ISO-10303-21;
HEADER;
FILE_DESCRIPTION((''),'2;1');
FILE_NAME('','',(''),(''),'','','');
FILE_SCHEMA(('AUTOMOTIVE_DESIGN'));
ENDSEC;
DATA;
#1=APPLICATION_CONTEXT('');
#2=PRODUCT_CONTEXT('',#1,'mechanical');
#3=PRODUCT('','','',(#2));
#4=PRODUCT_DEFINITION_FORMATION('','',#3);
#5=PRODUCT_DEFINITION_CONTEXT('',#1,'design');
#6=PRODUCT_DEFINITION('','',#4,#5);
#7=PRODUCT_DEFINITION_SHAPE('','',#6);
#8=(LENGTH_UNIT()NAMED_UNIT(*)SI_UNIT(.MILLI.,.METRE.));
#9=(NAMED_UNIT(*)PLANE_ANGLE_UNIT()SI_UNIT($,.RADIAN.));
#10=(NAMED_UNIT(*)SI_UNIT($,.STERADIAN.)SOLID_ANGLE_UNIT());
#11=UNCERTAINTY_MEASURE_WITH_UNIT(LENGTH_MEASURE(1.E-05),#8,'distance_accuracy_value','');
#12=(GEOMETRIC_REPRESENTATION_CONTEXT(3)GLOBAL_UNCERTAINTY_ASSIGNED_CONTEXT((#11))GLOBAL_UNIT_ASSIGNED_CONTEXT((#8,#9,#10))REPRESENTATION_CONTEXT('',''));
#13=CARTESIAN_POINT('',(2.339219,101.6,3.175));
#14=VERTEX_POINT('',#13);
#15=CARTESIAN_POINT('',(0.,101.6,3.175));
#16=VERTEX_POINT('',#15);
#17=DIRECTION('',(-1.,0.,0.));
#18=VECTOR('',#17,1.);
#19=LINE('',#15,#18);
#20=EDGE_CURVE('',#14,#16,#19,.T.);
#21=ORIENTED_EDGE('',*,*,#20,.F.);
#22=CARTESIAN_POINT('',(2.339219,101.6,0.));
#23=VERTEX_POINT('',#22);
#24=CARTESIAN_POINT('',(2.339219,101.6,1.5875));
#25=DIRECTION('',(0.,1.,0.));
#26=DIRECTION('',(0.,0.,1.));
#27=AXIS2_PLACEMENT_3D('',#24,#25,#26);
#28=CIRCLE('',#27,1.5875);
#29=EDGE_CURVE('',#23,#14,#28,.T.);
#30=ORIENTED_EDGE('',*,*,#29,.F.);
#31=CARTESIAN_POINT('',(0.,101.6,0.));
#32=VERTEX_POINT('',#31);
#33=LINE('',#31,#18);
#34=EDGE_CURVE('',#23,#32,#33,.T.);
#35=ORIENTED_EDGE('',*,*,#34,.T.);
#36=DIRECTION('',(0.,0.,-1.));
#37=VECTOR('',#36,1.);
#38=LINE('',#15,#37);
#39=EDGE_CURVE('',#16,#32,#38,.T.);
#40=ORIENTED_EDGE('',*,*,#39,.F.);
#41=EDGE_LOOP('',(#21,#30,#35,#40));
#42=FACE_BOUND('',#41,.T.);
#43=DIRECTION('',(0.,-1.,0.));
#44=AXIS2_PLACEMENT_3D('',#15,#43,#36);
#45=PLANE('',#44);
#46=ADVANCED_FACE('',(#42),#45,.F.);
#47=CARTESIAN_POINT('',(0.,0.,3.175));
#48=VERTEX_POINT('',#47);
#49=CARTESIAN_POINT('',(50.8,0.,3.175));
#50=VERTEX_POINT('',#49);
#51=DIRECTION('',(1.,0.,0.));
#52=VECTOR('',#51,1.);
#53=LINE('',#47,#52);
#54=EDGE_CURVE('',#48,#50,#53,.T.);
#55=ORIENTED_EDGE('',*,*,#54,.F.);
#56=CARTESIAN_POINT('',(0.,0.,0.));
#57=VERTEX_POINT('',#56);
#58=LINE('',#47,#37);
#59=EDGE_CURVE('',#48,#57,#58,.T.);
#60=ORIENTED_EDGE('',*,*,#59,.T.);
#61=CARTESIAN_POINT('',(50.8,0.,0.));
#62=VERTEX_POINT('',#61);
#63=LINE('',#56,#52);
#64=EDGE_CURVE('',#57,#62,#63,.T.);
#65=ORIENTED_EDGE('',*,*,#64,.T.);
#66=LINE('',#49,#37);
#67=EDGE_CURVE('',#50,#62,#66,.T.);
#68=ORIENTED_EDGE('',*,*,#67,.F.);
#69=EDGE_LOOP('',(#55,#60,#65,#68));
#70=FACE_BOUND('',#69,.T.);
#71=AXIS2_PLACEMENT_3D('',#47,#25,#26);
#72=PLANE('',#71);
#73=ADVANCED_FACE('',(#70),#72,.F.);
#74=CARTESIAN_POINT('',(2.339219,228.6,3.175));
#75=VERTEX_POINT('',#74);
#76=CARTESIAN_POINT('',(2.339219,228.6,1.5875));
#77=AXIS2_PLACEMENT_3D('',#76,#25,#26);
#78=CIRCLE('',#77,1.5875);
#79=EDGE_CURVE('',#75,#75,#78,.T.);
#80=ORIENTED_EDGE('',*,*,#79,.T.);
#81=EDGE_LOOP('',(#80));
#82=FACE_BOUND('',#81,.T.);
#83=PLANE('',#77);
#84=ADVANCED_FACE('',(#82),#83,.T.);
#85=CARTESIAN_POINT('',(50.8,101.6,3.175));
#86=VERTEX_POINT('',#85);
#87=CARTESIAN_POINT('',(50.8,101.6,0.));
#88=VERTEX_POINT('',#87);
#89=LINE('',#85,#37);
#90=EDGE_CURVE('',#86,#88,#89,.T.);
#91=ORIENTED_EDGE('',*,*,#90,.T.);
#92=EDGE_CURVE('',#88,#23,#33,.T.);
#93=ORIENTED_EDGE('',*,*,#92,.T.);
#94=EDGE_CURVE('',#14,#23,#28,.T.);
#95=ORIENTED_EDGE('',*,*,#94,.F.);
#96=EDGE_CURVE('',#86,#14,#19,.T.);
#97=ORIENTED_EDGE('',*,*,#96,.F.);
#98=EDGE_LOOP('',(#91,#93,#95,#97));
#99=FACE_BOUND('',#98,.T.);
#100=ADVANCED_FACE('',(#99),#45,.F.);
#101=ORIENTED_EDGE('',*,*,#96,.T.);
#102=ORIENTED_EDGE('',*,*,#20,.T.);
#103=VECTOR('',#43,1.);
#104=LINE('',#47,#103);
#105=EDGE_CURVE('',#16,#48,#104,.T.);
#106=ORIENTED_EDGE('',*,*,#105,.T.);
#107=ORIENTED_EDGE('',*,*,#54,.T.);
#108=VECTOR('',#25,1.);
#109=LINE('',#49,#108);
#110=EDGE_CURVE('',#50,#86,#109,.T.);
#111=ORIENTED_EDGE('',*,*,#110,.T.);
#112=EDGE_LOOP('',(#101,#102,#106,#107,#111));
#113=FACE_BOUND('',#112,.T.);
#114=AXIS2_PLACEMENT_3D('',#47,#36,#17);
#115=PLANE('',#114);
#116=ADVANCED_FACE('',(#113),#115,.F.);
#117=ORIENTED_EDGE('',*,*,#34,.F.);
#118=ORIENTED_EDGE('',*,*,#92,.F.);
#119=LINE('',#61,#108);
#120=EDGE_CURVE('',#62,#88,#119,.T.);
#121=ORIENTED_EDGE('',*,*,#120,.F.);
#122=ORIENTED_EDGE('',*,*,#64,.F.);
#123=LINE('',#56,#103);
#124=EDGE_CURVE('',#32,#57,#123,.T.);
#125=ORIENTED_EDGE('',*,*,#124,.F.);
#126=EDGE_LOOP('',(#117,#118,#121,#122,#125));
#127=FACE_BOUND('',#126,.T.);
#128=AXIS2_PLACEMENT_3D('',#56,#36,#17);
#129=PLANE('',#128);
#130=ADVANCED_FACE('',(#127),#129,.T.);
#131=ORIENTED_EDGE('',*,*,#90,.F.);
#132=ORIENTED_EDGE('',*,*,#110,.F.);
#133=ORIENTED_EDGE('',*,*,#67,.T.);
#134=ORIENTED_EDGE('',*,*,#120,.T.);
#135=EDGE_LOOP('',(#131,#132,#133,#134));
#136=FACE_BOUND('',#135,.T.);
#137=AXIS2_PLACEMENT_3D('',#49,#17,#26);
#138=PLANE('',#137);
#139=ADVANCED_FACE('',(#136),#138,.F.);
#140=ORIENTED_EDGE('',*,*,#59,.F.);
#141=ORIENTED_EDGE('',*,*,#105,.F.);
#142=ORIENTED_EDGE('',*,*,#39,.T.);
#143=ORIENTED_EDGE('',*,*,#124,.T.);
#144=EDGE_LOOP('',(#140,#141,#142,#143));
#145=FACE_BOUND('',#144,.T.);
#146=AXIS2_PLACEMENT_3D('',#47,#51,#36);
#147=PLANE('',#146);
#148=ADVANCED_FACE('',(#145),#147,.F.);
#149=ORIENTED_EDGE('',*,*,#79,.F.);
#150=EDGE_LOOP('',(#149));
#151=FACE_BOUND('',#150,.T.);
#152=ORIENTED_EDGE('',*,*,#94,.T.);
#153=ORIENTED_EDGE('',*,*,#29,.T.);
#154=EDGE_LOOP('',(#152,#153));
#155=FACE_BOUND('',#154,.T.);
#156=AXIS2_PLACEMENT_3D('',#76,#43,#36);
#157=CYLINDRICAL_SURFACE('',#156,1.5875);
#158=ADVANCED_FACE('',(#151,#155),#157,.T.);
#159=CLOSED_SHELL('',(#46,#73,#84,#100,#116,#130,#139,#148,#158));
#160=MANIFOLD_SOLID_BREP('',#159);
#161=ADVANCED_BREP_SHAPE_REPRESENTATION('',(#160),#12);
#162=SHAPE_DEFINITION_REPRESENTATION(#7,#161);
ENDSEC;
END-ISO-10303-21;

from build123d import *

# Parameters (mm, degrees)
SKETCH1_W           = 50.8
SKETCH1_H           = 101.6
BOSS_EXTRUDE1_DEPTH = 3.175
SKETCH2_R           = 1.5875
BOSS_EXTRUDE2_DEPTH = 127


with BuildPart() as part:
    # Sketch1 → Boss-Extrude1 (new body)
    with BuildSketch(Plane.XY):
        with Locations((25.4, 50.8)):
            Rectangle(SKETCH1_W, SKETCH1_H)
    extrude(amount=BOSS_EXTRUDE1_DEPTH)

    # Sketch2 → Boss-Extrude2 (add)
    with BuildSketch(Plane(origin=(0, 101.6, 0), x_dir=(1, 0, 0), z_dir=(0, 1, 0))):
        with Locations((2.33921931, -1.5875)):
            Circle(SKETCH2_R)
    extrude(amount=BOSS_EXTRUDE2_DEPTH)


solid = part.part
